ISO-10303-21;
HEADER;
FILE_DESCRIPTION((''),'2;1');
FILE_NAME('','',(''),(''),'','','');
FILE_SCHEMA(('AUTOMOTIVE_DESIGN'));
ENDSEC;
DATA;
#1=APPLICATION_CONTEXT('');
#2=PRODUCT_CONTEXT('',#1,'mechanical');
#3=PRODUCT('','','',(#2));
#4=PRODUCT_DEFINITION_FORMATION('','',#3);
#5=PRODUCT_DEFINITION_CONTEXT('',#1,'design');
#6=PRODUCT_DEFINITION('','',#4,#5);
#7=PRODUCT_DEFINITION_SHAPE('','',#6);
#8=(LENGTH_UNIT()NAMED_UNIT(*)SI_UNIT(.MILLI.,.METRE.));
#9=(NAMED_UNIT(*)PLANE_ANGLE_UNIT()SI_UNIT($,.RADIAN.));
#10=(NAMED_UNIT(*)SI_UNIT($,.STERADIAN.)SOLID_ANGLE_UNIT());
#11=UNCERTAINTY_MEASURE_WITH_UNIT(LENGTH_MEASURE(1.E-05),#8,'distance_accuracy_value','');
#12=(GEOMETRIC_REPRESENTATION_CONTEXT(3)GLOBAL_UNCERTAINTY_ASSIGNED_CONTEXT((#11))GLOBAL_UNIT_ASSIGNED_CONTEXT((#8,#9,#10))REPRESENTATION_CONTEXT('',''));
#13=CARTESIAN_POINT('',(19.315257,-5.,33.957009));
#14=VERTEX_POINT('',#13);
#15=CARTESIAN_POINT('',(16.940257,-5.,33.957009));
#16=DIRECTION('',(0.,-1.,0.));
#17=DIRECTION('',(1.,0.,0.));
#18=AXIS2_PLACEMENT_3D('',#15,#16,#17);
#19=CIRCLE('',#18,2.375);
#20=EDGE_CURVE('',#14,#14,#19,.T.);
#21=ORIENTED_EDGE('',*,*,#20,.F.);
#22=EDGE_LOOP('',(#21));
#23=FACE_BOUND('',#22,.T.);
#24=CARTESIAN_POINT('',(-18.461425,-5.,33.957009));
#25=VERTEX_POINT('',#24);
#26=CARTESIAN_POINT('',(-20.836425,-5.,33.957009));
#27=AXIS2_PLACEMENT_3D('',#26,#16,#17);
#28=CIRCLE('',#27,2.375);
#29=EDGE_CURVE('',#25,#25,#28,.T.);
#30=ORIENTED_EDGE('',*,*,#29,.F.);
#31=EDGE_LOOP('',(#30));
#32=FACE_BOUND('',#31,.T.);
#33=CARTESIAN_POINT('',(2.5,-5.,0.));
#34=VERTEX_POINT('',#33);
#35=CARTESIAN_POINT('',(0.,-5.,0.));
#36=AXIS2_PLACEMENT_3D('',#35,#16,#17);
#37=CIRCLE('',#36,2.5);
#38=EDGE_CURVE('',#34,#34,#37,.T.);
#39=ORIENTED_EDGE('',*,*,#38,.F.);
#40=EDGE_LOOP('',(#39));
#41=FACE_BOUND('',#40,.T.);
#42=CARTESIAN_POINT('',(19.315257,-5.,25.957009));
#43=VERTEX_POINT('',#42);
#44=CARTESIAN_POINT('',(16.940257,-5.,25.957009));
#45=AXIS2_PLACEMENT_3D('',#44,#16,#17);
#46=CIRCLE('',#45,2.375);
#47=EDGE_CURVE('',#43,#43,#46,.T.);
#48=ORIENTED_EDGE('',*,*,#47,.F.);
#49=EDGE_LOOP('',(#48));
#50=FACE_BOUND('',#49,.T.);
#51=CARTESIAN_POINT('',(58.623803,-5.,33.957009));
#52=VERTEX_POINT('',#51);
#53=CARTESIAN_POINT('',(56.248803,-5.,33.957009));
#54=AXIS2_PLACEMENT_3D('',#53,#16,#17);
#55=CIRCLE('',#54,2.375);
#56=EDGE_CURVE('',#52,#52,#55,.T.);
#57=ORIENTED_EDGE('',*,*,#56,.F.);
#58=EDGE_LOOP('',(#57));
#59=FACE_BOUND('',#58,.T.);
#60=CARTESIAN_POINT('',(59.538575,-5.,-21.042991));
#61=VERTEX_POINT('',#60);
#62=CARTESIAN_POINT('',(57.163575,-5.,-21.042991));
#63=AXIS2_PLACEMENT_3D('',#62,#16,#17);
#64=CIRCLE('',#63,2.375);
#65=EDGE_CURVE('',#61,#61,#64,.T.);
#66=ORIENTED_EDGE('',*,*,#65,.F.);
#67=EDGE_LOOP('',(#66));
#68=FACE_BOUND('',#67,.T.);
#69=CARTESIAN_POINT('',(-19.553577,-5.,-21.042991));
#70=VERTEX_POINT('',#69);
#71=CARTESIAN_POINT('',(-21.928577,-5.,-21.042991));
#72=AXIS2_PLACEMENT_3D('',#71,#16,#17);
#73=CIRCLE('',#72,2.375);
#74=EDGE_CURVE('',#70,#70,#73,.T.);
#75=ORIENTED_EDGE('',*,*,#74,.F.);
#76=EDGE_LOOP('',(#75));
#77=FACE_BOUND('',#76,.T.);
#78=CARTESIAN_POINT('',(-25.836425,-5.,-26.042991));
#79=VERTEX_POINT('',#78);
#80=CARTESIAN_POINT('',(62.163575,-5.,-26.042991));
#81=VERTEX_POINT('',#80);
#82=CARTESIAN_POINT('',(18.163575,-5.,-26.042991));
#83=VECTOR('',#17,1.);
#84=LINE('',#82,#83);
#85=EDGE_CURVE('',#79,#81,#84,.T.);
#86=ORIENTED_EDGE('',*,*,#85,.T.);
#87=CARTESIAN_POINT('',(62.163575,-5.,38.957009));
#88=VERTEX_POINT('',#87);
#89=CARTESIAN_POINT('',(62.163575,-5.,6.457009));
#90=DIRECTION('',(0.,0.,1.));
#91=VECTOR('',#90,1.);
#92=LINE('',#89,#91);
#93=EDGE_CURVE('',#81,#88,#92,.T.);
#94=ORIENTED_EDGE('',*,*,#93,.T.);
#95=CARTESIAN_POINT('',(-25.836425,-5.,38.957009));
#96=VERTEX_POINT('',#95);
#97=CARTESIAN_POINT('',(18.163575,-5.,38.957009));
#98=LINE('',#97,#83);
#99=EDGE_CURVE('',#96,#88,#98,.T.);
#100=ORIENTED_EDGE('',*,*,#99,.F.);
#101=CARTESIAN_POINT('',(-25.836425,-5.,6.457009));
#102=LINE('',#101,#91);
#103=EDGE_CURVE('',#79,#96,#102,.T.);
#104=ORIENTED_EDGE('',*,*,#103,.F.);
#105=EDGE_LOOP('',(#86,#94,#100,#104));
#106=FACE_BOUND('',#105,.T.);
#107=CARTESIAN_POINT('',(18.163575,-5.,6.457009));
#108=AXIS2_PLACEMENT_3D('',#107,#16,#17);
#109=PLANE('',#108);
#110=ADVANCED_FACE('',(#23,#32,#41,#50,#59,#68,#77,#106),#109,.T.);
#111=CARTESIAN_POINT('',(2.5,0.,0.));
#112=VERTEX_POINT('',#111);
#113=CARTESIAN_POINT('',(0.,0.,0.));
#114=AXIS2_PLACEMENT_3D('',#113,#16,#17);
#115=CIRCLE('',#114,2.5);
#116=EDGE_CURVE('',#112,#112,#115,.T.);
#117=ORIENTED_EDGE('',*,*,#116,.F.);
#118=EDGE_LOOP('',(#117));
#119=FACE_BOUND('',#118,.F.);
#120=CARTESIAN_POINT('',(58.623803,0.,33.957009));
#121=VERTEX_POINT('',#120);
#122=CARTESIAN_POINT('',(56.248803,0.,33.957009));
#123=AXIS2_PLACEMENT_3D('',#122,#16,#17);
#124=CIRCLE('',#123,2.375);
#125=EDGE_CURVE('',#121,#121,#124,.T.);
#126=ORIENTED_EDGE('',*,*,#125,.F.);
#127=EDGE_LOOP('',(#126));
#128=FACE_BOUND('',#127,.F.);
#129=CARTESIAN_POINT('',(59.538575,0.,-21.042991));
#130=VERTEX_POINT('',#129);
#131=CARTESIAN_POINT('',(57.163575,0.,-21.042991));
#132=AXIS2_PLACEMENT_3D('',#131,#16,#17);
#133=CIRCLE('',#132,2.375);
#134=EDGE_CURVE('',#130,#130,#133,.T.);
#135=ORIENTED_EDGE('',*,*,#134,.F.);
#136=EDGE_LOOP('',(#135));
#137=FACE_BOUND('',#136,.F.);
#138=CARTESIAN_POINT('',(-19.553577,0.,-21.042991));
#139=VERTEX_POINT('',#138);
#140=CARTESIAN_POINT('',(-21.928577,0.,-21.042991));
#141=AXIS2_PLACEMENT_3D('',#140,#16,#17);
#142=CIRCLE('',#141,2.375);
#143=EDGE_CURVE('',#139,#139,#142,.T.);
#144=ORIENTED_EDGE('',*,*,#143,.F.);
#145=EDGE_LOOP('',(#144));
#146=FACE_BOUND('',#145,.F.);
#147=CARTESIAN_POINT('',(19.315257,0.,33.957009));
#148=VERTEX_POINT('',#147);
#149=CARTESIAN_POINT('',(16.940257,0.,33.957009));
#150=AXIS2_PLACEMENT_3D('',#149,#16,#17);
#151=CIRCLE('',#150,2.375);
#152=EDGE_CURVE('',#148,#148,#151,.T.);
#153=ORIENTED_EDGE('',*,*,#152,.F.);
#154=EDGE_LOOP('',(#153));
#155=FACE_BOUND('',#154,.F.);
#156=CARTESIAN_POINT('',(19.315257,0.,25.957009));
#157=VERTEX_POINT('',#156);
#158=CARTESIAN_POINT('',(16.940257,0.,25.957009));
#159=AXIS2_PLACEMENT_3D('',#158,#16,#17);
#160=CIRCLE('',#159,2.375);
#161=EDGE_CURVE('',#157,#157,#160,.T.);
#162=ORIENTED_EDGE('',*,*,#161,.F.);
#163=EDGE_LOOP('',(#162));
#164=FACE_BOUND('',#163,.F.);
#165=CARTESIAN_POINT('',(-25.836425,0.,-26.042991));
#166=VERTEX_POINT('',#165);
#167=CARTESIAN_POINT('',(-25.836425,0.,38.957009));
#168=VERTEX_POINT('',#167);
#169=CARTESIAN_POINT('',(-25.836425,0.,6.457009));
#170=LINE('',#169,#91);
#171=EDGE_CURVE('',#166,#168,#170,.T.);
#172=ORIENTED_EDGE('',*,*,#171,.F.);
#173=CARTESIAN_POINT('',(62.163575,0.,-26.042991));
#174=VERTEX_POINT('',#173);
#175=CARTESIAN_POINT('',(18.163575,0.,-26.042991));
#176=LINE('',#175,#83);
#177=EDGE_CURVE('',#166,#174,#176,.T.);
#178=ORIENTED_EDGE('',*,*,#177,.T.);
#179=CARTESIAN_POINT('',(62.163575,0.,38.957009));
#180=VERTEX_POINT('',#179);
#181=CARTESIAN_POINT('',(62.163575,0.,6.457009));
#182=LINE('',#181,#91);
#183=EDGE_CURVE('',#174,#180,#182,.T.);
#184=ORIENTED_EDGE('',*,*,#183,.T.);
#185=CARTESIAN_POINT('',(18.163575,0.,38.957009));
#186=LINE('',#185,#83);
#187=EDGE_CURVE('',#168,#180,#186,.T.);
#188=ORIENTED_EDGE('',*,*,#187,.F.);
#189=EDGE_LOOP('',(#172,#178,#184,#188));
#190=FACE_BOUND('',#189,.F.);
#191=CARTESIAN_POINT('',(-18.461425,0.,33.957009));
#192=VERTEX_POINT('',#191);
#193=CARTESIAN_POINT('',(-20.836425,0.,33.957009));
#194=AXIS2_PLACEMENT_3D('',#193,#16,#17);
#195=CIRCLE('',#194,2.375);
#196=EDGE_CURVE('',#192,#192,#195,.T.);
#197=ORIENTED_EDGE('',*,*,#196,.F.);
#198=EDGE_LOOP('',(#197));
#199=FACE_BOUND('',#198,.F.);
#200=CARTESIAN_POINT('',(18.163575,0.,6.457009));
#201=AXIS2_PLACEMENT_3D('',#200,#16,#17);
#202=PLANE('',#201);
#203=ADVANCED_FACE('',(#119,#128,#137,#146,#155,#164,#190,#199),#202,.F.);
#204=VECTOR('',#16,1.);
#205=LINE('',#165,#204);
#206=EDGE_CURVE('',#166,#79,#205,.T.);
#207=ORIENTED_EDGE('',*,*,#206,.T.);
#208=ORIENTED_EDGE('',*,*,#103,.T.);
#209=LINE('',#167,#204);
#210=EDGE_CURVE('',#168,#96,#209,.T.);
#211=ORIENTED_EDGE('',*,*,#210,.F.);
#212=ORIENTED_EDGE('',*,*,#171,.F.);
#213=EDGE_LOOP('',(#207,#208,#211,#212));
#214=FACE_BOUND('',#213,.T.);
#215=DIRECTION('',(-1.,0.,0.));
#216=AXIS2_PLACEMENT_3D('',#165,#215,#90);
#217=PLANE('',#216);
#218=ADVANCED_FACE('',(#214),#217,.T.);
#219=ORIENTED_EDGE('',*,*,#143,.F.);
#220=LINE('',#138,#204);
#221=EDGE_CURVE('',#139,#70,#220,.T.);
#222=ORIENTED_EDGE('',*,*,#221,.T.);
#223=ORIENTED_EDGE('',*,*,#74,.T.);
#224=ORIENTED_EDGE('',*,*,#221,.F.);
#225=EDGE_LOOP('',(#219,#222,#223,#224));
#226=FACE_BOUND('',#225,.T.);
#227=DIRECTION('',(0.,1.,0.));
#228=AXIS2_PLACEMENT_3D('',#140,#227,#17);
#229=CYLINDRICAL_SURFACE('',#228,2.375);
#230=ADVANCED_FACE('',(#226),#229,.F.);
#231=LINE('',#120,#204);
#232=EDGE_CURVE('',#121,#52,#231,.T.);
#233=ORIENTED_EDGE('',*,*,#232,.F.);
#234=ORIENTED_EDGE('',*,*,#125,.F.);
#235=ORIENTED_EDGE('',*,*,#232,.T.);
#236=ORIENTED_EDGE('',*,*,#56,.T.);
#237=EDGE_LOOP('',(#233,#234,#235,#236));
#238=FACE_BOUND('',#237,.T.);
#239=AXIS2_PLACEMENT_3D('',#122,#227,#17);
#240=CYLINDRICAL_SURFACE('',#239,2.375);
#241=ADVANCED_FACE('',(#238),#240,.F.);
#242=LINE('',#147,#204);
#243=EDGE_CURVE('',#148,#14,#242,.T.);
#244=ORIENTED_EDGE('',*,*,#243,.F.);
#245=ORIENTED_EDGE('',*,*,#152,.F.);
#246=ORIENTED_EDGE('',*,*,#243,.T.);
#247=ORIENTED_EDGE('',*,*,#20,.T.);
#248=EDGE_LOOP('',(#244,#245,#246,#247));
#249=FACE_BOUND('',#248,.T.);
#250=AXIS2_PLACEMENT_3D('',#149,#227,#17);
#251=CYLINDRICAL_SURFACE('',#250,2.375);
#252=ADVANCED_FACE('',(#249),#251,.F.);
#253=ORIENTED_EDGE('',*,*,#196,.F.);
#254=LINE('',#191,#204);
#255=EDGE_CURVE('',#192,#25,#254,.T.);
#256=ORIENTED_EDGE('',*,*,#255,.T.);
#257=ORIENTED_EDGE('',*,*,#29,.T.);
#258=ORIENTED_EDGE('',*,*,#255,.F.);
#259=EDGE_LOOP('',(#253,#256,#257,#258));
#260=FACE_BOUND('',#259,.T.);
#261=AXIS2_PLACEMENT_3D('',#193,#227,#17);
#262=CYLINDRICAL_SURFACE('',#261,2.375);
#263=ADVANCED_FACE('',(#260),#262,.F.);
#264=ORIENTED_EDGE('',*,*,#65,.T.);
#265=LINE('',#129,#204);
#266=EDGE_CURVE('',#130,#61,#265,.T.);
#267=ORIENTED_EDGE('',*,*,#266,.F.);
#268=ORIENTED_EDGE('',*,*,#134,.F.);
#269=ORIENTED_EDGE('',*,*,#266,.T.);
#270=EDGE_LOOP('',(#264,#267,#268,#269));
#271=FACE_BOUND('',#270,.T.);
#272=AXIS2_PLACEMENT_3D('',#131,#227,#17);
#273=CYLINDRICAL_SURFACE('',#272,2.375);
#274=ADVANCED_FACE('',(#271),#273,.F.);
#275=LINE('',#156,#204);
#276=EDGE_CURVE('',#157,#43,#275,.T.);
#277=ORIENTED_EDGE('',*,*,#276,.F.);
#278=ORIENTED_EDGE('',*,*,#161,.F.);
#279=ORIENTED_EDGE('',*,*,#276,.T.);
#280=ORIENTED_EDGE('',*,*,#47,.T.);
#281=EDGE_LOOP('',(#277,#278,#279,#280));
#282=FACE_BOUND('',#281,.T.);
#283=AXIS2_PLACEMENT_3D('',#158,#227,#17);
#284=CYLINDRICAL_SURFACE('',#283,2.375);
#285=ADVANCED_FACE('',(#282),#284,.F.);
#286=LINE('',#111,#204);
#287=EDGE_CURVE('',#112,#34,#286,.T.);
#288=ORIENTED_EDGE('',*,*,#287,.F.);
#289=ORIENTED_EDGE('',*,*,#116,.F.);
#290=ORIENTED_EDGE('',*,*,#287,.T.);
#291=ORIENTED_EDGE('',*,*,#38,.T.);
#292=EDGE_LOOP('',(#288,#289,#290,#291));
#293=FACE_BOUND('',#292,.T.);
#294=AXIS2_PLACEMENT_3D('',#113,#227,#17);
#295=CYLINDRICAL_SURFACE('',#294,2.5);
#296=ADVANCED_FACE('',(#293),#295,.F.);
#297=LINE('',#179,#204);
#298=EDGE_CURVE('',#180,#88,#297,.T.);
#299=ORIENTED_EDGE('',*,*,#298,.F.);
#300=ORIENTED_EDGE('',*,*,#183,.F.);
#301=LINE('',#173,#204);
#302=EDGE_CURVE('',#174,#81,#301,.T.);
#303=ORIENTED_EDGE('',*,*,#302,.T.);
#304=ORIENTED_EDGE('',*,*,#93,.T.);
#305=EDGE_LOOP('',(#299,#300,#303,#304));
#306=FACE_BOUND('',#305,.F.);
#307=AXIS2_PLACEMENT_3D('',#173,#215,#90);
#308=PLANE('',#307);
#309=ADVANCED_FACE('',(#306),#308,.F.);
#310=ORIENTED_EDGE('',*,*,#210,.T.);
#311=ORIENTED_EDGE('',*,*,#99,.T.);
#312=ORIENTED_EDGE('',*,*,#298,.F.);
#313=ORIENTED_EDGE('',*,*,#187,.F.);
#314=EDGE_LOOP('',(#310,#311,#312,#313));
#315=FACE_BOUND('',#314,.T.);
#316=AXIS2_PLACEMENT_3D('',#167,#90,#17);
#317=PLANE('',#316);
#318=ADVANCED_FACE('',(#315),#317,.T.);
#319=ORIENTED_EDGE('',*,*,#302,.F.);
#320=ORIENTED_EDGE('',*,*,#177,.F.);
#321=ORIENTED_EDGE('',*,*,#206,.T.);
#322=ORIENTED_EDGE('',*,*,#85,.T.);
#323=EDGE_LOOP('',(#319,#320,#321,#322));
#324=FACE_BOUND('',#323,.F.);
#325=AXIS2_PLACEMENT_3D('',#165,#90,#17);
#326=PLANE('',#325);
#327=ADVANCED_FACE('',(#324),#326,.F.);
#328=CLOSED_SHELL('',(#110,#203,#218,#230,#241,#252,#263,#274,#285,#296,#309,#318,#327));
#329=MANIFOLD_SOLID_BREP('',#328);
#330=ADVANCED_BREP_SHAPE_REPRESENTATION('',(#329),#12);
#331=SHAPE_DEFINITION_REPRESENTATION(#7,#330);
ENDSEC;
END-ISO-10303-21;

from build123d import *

# Parameters (mm, degrees)
F2_W     = 88
F2_H     = 65
F2_R     = 2.375
F2_R_2   = 2.5
F3_DEPTH = 5


with BuildPart() as f3:
    # F2 (on Front) → F3 (new body)
    with BuildSketch(Plane.XZ):
        with Locations((18.163575, 6.457009)):
            Rectangle(F2_W, F2_H)
        with Locations((-21.928577, -21.042991)):
            Circle(F2_R, mode=Mode.SUBTRACT)
        Circle(F2_R_2, mode=Mode.SUBTRACT)
        with Locations((57.163575, -21.042991)):
            Circle(F2_R, mode=Mode.SUBTRACT)
        with Locations((-20.836425, 33.957009)):
            Circle(F2_R, mode=Mode.SUBTRACT)
        with Locations((16.940257, 25.957009)):
            Circle(F2_R, mode=Mode.SUBTRACT)
        with Locations((16.940257, 33.957009)):
            Circle(F2_R, mode=Mode.SUBTRACT)
        with Locations((56.248803, 33.957009)):
            Circle(F2_R, mode=Mode.SUBTRACT)
    extrude(amount=F3_DEPTH)


solid = f3.part
